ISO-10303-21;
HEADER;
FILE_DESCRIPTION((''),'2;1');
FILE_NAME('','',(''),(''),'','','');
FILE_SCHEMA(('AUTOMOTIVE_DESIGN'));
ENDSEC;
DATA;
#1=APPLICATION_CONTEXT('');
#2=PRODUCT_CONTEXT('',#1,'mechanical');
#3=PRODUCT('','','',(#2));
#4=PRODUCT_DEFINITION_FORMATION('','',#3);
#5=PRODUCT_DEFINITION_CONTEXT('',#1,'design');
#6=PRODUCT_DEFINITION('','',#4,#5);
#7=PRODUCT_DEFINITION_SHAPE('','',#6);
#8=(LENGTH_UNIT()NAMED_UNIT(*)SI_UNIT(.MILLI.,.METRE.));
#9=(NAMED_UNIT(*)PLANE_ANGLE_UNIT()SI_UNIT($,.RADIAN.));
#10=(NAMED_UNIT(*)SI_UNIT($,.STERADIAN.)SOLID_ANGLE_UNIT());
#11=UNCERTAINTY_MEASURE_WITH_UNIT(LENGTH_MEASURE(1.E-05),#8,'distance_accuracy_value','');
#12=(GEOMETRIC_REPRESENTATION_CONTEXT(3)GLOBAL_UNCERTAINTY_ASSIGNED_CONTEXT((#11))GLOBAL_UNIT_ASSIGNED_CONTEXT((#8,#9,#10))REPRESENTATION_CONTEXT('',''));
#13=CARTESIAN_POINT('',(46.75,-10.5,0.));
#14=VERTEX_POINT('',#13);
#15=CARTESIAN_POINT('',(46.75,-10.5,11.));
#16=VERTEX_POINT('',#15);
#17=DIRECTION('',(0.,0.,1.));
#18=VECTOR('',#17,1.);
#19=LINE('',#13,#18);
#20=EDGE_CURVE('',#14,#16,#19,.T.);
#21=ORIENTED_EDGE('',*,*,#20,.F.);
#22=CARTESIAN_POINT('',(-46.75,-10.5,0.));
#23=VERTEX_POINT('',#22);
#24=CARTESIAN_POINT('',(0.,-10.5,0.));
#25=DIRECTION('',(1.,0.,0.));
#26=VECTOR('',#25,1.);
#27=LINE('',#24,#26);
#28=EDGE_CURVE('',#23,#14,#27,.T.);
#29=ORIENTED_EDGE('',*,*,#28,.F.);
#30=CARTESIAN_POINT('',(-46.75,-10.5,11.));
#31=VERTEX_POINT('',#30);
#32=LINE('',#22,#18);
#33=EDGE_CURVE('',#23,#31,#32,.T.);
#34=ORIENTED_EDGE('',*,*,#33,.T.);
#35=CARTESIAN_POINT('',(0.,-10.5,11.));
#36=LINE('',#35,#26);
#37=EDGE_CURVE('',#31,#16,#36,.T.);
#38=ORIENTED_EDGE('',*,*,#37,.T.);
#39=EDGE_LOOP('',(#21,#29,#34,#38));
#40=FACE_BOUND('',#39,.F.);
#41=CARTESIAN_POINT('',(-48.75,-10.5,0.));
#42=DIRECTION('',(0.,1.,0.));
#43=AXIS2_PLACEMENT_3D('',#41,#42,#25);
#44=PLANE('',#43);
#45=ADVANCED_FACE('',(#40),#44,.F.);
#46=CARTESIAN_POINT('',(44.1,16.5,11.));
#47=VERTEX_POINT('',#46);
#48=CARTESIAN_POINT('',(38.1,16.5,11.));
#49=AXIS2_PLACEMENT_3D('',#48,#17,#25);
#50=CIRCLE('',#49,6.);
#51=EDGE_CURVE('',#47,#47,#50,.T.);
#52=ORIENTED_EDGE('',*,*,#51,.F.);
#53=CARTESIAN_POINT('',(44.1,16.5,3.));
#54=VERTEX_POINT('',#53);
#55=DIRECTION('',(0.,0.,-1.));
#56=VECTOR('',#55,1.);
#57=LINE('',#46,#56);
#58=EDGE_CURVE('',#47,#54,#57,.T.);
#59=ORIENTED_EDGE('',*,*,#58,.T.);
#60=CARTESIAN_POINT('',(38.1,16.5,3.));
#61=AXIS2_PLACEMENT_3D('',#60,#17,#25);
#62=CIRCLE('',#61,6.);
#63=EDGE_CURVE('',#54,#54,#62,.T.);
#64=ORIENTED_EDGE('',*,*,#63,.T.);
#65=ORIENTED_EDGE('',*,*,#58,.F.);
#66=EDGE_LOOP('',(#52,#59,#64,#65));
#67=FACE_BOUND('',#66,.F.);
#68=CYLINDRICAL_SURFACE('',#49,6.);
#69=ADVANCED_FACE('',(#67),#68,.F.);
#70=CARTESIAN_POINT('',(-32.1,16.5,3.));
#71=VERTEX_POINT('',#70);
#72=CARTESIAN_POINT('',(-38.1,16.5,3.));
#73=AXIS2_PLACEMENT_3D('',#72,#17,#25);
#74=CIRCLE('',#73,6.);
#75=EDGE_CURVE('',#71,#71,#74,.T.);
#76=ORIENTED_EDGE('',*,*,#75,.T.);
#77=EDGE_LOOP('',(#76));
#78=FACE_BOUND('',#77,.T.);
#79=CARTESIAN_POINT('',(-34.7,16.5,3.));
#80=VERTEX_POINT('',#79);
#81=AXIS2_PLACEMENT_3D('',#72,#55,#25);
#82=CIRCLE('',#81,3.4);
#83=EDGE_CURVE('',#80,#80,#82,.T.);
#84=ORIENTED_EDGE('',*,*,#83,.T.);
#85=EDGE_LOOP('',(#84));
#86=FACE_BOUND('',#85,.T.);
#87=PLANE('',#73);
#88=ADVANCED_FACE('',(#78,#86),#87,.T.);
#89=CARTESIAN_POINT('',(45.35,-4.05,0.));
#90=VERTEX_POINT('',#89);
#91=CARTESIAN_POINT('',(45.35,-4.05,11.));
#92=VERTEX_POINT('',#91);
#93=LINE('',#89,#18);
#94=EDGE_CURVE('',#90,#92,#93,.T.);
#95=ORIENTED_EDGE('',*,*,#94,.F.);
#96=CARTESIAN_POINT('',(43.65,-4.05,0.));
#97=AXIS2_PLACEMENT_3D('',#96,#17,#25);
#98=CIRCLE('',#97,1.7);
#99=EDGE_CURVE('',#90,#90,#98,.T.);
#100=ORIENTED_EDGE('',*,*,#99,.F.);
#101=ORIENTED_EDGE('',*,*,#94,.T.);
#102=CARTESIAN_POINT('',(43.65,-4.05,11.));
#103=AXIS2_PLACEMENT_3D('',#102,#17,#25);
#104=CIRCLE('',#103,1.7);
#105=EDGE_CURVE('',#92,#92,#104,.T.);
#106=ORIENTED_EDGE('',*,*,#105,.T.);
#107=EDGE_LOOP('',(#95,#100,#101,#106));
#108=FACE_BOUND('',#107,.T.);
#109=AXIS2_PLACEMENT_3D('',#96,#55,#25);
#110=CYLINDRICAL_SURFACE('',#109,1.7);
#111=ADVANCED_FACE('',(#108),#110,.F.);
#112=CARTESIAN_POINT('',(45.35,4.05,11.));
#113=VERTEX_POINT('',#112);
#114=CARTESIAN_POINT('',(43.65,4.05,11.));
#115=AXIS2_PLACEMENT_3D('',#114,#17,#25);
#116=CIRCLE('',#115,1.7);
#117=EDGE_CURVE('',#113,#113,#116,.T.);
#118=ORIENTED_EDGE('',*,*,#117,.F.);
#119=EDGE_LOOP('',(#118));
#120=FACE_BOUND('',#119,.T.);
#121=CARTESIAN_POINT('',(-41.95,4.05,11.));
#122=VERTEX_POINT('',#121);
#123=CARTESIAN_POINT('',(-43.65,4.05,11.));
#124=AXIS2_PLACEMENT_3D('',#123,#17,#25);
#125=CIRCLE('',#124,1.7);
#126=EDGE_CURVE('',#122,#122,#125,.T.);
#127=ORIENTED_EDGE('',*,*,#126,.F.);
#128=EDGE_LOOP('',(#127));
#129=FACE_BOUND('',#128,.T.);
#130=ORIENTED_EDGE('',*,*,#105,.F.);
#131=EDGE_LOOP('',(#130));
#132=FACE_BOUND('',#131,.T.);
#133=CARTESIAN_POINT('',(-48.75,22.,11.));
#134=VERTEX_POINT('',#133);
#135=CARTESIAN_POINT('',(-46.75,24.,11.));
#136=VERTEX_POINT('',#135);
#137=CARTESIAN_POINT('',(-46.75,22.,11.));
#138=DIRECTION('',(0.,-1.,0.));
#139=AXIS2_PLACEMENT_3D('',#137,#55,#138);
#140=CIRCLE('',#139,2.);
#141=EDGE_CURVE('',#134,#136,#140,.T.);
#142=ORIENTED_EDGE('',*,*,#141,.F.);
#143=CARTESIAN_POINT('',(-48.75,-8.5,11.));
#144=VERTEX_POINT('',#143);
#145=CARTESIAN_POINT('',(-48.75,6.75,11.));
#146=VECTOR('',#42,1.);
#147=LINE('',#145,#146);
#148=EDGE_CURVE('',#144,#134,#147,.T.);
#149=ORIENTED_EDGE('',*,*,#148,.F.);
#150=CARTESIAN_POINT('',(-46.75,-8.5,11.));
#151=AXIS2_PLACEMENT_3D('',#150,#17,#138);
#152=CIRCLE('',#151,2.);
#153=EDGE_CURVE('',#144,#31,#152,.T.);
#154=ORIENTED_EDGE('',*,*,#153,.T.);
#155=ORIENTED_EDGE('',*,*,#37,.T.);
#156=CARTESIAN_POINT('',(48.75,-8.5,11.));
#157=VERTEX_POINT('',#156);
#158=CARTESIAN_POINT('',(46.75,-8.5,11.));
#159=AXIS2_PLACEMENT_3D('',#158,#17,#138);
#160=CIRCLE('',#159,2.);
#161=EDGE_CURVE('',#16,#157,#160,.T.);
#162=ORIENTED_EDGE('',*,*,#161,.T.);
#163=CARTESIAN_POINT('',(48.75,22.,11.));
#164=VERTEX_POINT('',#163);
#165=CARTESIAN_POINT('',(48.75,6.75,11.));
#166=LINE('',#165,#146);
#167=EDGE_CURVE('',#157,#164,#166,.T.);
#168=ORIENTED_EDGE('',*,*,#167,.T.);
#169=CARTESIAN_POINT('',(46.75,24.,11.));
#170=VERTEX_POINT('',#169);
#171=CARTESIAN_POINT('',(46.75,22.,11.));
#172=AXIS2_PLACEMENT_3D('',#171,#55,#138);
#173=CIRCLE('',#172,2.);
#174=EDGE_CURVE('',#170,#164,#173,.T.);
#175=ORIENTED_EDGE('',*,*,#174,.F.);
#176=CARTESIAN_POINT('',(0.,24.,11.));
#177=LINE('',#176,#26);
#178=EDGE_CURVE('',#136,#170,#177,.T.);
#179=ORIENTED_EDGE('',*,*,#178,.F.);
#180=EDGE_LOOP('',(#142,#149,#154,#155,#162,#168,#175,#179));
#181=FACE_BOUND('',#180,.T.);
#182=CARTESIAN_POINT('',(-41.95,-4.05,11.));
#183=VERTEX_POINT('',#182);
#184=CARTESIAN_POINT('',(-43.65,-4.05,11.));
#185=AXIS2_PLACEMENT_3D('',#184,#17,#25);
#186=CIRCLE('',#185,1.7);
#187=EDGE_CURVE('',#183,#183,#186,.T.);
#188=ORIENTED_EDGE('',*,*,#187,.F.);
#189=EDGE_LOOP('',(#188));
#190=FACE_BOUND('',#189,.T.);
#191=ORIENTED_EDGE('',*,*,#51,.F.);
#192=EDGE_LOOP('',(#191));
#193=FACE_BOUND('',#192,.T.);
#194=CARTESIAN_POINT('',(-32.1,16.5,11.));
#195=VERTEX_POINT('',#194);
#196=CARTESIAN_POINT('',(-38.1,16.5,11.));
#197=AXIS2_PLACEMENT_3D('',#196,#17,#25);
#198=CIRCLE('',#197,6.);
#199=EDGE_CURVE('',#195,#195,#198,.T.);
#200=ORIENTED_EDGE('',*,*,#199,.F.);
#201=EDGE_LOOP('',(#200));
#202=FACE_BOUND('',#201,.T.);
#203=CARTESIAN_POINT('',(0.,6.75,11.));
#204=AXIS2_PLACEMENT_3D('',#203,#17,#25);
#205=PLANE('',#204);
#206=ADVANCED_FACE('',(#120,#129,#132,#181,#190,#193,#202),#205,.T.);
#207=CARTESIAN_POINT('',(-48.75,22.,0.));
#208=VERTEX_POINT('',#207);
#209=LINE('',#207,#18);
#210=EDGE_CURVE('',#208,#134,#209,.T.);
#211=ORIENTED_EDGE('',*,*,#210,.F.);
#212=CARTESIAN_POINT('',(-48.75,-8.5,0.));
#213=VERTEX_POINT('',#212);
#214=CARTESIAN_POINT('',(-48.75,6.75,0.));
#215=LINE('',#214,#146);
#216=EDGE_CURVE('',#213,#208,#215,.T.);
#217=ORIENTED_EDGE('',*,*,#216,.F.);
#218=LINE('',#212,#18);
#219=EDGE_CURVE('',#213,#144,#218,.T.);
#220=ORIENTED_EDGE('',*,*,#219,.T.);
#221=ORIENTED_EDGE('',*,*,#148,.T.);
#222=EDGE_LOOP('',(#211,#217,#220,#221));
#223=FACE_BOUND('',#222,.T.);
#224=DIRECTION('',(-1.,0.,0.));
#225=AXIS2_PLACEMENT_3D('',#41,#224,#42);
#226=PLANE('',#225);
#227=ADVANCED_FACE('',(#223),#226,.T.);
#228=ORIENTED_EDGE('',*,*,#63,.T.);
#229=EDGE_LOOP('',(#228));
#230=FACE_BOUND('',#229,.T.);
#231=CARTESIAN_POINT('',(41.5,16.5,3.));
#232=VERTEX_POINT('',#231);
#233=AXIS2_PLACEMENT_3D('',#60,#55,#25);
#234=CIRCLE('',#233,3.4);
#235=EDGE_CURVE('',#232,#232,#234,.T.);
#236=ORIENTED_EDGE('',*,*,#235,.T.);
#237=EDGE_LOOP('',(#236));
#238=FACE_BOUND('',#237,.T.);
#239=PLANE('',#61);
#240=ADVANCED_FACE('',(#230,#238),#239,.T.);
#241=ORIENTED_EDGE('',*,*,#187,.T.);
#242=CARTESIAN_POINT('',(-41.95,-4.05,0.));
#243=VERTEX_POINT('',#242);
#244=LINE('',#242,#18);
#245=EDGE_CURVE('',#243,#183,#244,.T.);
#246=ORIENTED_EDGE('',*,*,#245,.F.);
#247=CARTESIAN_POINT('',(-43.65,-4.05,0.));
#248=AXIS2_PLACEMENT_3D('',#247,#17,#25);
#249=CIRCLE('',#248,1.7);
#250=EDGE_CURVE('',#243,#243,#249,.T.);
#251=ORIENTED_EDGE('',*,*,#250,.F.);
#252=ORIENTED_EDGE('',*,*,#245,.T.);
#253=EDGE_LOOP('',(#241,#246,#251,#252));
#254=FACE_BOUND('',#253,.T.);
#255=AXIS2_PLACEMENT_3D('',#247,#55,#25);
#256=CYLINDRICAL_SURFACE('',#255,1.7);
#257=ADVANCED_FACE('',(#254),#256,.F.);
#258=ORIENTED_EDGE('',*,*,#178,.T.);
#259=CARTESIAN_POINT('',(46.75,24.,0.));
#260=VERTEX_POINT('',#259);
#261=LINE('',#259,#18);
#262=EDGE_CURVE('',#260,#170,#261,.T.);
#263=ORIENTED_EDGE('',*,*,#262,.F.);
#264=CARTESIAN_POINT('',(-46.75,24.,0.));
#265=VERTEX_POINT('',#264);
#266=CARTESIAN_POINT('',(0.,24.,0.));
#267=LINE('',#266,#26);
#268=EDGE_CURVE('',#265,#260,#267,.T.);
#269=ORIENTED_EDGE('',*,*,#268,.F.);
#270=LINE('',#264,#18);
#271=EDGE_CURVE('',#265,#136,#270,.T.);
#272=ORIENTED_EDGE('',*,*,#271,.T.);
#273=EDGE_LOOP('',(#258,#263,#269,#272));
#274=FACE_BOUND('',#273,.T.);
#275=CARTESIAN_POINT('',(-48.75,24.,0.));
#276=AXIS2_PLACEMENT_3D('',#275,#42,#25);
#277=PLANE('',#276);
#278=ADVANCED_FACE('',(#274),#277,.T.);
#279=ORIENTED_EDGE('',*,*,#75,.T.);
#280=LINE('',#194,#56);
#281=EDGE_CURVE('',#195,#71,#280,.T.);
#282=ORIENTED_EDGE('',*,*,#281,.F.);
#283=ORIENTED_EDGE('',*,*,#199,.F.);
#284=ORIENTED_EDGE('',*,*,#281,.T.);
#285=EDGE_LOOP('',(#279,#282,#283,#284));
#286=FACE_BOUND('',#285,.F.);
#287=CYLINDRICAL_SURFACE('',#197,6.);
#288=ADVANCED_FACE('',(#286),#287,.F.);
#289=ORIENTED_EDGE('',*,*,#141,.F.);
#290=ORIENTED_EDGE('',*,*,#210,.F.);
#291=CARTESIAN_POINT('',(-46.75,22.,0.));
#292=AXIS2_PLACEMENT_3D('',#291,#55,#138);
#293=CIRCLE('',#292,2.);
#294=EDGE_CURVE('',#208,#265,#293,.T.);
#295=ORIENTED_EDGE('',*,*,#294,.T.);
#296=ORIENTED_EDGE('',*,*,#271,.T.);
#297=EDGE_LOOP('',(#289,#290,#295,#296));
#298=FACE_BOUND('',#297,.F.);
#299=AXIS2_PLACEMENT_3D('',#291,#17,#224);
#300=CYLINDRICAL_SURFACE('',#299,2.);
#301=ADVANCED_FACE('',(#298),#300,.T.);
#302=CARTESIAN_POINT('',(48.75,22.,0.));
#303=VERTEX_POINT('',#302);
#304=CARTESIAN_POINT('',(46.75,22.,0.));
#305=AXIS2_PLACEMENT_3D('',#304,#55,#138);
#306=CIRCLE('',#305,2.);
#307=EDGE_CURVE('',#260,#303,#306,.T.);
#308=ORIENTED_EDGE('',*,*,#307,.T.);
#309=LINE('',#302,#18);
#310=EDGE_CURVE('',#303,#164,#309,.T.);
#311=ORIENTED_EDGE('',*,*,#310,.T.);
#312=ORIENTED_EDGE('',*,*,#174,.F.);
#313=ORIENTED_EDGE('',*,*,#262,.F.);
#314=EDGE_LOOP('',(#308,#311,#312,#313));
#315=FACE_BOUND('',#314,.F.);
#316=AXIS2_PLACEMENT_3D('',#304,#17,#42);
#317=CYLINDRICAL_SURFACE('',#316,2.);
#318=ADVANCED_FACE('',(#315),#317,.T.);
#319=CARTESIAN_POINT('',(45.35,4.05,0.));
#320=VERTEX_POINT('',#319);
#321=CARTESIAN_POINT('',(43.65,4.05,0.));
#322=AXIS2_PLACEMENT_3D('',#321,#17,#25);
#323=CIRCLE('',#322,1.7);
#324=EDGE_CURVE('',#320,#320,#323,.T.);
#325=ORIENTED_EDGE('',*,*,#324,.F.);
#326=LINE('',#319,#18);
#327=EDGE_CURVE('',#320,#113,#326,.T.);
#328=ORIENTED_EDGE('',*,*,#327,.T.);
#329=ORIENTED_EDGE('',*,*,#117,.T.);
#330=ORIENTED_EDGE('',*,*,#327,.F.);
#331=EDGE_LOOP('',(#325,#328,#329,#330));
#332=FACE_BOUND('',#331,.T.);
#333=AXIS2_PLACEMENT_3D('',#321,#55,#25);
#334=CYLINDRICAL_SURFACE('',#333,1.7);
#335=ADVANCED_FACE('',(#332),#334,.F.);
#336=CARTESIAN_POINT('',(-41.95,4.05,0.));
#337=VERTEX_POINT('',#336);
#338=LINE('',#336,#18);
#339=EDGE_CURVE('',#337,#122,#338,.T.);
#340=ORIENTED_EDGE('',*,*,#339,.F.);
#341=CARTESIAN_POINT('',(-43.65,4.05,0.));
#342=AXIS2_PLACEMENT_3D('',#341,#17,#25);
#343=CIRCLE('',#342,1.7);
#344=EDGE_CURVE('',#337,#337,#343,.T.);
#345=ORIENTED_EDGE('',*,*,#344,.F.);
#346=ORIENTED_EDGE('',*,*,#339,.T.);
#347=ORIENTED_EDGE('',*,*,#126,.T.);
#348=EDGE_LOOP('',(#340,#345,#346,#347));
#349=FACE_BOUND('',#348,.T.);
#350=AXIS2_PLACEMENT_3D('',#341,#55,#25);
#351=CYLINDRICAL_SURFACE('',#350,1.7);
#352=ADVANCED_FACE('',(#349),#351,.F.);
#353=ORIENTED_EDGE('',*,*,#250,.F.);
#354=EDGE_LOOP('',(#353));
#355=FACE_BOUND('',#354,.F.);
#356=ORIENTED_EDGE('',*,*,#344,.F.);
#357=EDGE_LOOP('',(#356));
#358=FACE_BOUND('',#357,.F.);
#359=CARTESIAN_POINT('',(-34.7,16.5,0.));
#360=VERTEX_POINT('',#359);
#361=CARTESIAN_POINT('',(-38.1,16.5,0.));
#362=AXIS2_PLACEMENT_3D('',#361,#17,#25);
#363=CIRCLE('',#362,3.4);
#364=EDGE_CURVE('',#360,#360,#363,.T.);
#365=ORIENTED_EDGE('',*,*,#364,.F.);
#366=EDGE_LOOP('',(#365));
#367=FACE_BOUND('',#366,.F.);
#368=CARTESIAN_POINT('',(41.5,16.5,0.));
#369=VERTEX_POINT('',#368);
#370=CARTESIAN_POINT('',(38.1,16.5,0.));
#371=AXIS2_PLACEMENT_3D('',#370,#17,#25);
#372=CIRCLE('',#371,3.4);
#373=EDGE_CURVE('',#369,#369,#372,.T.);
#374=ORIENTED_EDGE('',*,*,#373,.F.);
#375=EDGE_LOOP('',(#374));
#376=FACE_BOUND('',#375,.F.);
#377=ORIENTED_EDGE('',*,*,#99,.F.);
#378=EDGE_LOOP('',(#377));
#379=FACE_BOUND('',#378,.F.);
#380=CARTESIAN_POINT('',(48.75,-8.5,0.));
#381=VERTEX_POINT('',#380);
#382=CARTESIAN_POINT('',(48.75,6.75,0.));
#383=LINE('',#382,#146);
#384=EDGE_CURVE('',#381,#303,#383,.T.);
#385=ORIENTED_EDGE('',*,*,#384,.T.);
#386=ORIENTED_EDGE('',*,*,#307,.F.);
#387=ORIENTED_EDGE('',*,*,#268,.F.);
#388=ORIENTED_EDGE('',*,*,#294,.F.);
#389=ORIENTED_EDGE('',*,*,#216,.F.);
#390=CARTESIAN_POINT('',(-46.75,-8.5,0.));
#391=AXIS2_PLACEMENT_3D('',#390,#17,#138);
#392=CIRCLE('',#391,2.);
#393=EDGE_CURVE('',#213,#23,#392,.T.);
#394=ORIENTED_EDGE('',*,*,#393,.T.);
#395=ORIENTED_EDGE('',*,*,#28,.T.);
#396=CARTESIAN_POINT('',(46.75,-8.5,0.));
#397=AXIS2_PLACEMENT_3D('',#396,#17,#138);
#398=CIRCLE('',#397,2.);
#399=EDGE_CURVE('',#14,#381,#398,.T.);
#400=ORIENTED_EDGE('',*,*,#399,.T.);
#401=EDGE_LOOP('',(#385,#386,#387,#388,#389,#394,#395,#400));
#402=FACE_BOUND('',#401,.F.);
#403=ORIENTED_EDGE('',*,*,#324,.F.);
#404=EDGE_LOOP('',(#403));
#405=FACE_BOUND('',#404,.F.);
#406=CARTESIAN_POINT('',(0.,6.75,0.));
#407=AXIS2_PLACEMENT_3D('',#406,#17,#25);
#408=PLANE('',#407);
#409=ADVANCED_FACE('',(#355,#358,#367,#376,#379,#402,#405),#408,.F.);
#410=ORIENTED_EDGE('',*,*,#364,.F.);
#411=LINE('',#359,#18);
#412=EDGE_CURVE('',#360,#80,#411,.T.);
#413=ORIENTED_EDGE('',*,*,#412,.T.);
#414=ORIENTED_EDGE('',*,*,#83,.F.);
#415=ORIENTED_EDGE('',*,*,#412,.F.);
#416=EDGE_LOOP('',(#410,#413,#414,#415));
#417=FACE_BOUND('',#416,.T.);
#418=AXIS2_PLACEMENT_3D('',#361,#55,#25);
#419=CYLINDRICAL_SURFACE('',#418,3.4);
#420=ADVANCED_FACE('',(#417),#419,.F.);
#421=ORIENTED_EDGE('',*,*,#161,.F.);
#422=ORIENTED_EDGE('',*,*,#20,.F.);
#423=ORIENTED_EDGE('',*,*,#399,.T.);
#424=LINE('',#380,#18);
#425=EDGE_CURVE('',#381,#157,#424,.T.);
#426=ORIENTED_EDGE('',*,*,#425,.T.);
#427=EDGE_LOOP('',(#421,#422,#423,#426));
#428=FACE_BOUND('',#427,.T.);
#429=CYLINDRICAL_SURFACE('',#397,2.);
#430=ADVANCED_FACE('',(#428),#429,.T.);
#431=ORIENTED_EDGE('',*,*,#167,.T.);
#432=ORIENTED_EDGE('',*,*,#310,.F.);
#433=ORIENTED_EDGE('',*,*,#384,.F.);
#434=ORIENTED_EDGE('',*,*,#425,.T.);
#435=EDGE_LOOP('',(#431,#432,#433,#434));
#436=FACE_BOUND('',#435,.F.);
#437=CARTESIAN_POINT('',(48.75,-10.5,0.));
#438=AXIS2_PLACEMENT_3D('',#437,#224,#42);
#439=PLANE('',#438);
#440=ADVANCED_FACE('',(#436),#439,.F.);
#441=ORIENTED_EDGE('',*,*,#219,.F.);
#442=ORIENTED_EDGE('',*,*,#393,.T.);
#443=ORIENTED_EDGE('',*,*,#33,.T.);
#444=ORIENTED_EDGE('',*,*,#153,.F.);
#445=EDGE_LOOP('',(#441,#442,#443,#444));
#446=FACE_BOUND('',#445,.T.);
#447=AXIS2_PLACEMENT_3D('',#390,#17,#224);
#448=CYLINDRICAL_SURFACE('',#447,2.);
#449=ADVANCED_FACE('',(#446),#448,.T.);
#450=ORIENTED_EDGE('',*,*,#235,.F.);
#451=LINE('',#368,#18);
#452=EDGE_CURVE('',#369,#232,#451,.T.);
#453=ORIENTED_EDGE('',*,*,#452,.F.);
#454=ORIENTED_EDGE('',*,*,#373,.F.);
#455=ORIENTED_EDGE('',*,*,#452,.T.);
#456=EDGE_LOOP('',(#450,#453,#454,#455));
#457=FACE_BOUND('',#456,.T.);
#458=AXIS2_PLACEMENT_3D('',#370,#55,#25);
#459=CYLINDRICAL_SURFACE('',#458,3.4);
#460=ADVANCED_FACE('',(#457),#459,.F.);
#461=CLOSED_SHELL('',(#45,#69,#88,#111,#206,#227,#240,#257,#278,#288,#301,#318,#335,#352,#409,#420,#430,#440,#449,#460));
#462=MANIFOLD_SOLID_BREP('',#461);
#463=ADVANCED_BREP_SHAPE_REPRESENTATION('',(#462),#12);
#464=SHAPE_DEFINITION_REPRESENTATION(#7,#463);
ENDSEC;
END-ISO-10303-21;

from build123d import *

# Parameters (mm, degrees)
F0_W     = 97.5
F0_H     = 34.5
F0_R     = 1.7
F0_R_2   = 3.4
F1_DEPTH = 11
F2_R     = 6
F3_DEPTH = 8
F4_R     = 2


with BuildPart() as f1:
    # F0 (on Top) → F1 (new body)
    with BuildSketch(Plane.XY):
        with Locations((0, 6.75)):
            Rectangle(F0_W, F0_H)
        with Locations((-43.65, -4.05)):
            Circle(F0_R, mode=Mode.SUBTRACT)
        with Locations((-43.65, 4.05)):
            Circle(F0_R, mode=Mode.SUBTRACT)
        with Locations((43.65, -4.05)):
            Circle(F0_R, mode=Mode.SUBTRACT)
        with Locations((43.65, 4.05)):
            Circle(F0_R, mode=Mode.SUBTRACT)
        with Locations((-38.1, 16.5)):
            Circle(F0_R_2, mode=Mode.SUBTRACT)
        with Locations((38.1, 16.5)):
            Circle(F0_R_2, mode=Mode.SUBTRACT)
    extrude(amount=F1_DEPTH)

    # F2 (on face) → F3 (cut)
    with BuildSketch(Plane.XY.offset(11)):
        with Locations((-38.1, 16.5)):
            Circle(F2_R)
        with Locations((38.1, 16.5)):
            Circle(F2_R)
    extrude(amount=-F3_DEPTH, mode=Mode.SUBTRACT)

    # F4
    f4_edges = [f1.edges().sort_by_distance(p)[0] for p in [
        (-48.75, -10.5, 5.5),
        (-48.75, 24, 5.5),
        (48.75, -10.5, 5.5),
        (48.75, 24, 5.5),
    ]]
    fillet(f4_edges, radius=F4_R)


solid = f1.part
